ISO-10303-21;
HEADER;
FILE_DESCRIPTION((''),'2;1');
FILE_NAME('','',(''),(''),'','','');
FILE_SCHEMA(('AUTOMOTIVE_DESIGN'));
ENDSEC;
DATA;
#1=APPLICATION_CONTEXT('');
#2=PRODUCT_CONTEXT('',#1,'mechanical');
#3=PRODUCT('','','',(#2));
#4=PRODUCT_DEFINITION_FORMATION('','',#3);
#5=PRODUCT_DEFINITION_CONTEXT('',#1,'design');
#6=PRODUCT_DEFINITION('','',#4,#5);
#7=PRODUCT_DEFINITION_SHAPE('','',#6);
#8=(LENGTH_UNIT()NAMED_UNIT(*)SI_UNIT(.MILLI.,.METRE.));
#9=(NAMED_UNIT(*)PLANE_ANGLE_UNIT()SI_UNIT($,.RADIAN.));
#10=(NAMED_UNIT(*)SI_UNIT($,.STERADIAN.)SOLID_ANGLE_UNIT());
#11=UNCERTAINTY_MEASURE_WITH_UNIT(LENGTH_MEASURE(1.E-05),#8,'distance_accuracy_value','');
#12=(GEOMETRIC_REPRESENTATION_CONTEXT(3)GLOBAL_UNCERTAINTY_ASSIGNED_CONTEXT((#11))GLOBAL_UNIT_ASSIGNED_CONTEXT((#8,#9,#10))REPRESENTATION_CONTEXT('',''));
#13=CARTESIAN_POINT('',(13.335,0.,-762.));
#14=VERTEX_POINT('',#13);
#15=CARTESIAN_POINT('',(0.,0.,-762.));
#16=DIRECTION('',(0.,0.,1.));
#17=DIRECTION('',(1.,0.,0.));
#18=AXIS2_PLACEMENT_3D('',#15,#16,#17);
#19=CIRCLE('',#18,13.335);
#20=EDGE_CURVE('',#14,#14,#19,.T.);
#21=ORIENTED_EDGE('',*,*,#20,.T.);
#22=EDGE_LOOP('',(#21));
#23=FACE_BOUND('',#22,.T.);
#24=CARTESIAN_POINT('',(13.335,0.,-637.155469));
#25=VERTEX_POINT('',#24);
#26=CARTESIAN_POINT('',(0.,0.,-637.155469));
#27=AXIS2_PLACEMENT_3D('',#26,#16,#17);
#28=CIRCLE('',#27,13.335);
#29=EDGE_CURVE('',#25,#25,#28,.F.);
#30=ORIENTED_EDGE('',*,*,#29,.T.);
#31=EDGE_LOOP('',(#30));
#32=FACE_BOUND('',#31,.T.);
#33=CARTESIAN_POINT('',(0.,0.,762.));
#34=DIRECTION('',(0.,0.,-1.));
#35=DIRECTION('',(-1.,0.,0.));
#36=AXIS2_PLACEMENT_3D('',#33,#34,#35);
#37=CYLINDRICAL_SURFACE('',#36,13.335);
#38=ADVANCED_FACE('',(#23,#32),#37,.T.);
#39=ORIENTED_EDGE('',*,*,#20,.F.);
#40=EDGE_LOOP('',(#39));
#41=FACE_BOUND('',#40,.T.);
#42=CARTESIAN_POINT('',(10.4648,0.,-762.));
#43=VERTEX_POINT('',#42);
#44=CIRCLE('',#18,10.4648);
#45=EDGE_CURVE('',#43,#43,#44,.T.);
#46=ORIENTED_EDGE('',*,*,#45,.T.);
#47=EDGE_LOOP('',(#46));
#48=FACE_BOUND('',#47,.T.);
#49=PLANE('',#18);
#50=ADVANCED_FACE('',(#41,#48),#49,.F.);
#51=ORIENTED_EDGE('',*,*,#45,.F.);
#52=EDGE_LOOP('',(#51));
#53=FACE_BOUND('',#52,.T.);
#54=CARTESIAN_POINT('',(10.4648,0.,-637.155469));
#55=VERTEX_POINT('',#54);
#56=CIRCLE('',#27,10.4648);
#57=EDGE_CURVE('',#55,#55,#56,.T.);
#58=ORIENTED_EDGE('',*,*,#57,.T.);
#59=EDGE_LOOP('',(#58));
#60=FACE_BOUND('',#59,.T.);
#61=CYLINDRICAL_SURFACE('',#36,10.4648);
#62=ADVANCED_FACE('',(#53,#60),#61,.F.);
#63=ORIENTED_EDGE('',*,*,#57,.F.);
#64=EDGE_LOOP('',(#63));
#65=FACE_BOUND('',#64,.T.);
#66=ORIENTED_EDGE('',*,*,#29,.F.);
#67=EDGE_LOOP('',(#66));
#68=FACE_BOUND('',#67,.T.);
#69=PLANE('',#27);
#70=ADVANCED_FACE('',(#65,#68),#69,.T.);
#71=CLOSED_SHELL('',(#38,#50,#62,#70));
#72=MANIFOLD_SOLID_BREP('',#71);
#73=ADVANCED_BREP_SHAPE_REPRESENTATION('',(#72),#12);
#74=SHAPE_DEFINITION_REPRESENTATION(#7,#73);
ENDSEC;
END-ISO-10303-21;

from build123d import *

# Parameters (mm, degrees)
SKETCH3_R                = 13.335
SKETCH3_R_2              = 10.4648
BOSS_EXTRUDE1_DEPTH      = 762
BOSS_EXTRUDE1_DEPTH_BACK = 762
SKETCH4_R                = 13.335
CUT_EXTRUDE2_DEPTH       = 1399.155469


with BuildPart() as part:
    # Sketch3 → Boss-Extrude1 (new body, two sides)
    with BuildSketch(Plane.XY) as boss_extrude1_sk:
        Circle(SKETCH3_R)
        Circle(SKETCH3_R_2, mode=Mode.SUBTRACT)
    extrude(amount=BOSS_EXTRUDE1_DEPTH)
    extrude(boss_extrude1_sk.sketch, amount=-BOSS_EXTRUDE1_DEPTH_BACK)

    # Sketch4 → Cut-Extrude2 (cut)
    with BuildSketch(Plane.XY.offset(762)):
        Circle(SKETCH4_R)
    extrude(amount=-CUT_EXTRUDE2_DEPTH, mode=Mode.SUBTRACT)


solid = part.part
